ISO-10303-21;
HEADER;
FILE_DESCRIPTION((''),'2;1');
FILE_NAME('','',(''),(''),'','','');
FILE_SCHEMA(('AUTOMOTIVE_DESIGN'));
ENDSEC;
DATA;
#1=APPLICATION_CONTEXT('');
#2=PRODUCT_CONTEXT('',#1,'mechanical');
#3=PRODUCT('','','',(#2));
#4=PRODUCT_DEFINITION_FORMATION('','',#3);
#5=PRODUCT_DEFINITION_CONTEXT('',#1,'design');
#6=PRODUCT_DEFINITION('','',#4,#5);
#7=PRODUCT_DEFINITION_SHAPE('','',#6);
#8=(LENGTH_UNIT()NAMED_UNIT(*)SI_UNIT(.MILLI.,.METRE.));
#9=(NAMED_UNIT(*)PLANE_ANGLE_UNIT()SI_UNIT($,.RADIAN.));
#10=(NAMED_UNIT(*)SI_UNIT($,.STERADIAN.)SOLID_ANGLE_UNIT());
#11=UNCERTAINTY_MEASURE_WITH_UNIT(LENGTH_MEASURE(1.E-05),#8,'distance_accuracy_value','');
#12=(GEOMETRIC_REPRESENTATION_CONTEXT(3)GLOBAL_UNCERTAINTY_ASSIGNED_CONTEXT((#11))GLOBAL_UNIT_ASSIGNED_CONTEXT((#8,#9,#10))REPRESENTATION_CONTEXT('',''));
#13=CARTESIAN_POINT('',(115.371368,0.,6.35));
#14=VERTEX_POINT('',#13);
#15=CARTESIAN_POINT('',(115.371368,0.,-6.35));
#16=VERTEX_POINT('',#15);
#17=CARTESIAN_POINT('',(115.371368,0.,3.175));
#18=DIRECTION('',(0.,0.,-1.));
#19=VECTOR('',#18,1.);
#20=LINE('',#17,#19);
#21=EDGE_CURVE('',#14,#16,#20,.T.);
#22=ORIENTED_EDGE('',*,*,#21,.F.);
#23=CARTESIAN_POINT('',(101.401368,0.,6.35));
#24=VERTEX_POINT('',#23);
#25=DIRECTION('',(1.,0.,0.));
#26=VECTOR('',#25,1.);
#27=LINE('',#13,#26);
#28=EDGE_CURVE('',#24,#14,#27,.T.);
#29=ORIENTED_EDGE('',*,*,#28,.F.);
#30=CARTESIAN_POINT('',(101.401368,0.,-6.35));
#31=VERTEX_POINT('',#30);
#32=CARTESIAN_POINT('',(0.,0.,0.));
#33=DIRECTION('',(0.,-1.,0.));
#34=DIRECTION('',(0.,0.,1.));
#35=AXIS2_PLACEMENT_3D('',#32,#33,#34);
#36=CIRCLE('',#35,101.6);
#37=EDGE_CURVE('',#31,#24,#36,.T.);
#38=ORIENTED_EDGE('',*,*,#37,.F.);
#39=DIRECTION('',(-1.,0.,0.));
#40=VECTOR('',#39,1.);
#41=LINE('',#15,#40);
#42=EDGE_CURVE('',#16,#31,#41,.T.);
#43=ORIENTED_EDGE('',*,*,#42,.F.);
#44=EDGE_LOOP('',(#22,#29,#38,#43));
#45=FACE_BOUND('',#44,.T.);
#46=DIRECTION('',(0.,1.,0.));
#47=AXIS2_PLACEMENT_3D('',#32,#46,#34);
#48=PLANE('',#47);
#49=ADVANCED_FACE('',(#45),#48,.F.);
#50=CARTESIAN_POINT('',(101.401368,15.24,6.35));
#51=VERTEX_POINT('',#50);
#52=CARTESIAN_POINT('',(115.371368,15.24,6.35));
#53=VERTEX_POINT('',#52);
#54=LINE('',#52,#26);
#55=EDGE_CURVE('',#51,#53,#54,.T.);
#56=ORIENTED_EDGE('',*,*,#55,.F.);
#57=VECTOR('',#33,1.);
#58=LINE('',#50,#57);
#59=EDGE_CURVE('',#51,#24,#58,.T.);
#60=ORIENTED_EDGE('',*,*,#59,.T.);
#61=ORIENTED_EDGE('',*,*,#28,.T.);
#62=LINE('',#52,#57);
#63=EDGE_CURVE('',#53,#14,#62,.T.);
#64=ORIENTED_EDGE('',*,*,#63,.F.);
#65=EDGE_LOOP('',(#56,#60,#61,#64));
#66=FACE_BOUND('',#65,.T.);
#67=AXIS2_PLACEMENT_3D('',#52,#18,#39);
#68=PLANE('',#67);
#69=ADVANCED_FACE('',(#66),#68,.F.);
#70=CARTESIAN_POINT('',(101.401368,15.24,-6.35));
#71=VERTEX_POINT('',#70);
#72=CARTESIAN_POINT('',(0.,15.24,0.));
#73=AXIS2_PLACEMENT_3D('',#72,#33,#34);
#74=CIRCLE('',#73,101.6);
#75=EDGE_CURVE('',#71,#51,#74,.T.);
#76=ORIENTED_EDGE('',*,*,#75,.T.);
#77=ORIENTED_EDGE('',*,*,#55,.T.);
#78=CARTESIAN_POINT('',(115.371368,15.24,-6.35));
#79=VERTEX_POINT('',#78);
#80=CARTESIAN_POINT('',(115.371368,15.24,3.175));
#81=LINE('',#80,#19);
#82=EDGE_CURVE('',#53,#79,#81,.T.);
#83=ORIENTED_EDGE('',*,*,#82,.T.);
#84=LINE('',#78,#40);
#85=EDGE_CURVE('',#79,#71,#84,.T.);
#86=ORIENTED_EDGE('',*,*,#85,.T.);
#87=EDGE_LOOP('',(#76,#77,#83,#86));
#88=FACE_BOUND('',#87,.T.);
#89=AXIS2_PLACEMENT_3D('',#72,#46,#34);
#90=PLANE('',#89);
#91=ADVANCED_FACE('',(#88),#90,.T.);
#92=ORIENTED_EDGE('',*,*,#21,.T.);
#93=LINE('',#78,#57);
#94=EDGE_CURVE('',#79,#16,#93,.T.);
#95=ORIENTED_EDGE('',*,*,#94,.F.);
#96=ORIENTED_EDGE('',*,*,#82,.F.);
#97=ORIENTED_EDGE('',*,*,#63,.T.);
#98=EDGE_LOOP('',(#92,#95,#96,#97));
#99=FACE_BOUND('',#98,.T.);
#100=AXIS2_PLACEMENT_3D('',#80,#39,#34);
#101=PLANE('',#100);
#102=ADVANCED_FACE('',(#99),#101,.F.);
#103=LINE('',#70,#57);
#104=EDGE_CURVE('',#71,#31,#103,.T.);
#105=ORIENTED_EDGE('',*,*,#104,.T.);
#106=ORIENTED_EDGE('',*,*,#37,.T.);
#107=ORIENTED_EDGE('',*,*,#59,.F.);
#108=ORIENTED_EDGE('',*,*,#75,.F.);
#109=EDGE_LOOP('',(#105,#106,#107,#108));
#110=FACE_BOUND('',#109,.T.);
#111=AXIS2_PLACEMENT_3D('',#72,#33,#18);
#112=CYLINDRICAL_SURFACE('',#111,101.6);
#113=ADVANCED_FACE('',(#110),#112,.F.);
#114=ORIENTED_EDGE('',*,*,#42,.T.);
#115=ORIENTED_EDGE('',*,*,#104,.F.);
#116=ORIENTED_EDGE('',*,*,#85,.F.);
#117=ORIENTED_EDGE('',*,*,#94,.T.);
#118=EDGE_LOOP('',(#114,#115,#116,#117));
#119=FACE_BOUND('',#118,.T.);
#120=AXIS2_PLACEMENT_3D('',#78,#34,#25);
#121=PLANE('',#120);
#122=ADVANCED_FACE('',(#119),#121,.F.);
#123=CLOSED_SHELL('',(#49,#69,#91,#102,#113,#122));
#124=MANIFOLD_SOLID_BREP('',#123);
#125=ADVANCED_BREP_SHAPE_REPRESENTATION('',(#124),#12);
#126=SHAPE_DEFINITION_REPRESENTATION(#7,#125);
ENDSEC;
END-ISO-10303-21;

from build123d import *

# Parameters (mm, degrees)
BOSS_EXTRUDE1_DEPTH = 15.24


with BuildPart() as part:
    # Sketch1 → Boss-Extrude1 (new body)
    with BuildSketch(Plane(origin=(0, 0, 0), x_dir=(1, 0, 0), z_dir=(0, 1, 0))):
        with BuildLine():
            Line((115.371368334, -3.175), (115.371368334, 6.35))
            Line((115.371368334, 6.35), (101.401368334, 6.35))
            ThreePointArc((101.401368334, 6.35), (101.6, 0), (101.401368334, -6.35))
            Line((101.401368334, -6.35), (115.371368334, -6.35))
            Line((115.371368334, -6.35), (115.371368334, -3.175))
        make_face()
    extrude(amount=BOSS_EXTRUDE1_DEPTH)


solid = part.part
